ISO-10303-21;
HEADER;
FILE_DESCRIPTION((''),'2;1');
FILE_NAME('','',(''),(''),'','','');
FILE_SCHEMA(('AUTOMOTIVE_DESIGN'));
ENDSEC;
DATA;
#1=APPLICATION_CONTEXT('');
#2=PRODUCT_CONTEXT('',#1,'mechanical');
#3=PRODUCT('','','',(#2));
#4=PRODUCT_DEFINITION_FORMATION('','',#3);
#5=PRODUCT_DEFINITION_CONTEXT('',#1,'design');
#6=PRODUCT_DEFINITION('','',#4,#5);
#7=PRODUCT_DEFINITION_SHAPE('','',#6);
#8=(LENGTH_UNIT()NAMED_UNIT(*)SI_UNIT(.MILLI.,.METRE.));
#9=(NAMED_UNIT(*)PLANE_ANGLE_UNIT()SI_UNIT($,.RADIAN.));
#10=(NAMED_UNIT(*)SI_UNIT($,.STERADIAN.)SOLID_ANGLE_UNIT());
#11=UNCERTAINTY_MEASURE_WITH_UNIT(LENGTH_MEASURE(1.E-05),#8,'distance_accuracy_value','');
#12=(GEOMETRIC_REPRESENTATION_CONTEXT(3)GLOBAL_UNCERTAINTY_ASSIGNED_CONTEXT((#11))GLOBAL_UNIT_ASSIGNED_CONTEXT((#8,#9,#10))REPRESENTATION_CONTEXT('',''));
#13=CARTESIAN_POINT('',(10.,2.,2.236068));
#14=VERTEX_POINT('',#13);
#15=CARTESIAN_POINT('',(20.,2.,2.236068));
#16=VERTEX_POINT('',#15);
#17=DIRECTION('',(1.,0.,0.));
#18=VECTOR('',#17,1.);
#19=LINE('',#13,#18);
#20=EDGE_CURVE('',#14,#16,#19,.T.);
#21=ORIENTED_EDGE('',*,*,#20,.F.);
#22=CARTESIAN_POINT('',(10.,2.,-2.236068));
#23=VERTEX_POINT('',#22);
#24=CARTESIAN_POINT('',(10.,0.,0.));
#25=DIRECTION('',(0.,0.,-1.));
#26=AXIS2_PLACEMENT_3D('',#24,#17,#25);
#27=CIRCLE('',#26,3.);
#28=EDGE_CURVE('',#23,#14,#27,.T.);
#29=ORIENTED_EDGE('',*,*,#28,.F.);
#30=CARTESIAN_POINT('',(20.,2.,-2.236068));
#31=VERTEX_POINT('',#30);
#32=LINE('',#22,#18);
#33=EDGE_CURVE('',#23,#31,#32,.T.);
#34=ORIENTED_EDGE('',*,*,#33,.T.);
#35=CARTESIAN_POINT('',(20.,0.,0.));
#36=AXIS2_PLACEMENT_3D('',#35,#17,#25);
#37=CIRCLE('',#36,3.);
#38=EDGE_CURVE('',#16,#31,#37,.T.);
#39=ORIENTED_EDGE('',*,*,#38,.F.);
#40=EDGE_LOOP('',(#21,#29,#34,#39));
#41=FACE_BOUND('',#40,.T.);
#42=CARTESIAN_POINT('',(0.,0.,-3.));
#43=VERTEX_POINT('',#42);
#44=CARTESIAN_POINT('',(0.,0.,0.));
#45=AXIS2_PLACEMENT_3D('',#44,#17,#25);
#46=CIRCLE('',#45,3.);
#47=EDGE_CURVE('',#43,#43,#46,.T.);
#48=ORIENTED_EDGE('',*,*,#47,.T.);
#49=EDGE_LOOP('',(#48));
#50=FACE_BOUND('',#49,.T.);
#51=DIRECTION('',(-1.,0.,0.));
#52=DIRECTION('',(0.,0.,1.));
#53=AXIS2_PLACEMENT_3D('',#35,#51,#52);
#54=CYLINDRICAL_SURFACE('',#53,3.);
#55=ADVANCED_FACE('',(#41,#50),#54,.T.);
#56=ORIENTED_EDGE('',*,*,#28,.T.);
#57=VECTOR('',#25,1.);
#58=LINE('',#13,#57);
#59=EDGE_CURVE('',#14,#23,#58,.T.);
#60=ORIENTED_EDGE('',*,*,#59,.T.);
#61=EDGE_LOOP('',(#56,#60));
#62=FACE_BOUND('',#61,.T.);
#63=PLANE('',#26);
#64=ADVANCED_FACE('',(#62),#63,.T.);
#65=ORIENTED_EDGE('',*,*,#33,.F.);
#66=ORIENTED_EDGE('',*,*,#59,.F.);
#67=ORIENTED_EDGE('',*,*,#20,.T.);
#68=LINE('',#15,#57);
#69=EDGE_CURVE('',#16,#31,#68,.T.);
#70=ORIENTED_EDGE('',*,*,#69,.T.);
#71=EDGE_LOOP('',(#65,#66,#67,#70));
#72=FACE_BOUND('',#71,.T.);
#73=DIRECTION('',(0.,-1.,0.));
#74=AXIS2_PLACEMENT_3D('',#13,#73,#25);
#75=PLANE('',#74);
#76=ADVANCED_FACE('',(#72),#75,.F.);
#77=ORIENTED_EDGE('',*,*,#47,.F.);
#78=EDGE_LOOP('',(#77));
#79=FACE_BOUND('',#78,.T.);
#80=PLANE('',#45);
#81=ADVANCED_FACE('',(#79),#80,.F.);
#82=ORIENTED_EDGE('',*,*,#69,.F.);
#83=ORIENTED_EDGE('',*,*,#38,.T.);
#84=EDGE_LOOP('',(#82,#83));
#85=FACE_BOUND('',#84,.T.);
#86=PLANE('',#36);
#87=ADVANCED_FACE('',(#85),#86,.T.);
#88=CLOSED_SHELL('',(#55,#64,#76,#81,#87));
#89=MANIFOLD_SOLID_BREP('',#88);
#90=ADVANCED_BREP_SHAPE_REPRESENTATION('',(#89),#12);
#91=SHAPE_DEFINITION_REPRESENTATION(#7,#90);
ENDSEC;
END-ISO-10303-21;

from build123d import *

# Parameters (mm, degrees)
SKETCH2_R           = 3
BOSS_EXTRUDE2_DEPTH = 20
CUT_EXTRUDE1_DEPTH  = 10


with BuildPart() as part:
    # Sketch2 → Boss-Extrude2 (new body)
    with BuildSketch(Plane(origin=(0, 0, 0), x_dir=(0, 0, -1), z_dir=(1, 0, 0))):
        Circle(SKETCH2_R)
    extrude(amount=BOSS_EXTRUDE2_DEPTH)

    # Sketch3 → Cut-Extrude1 (cut)
    with BuildSketch(Plane(origin=(20, 0, 0), x_dir=(0, 0, -1), z_dir=(1, 0, 0))):
        with BuildLine():
            Line((-2.236067977, 2), (2.236067977, 2))
            ThreePointArc((2.236067977, 2), (0, 3), (-2.236067977, 2))
        make_face()
    extrude(amount=-CUT_EXTRUDE1_DEPTH, mode=Mode.SUBTRACT)


solid = part.part
